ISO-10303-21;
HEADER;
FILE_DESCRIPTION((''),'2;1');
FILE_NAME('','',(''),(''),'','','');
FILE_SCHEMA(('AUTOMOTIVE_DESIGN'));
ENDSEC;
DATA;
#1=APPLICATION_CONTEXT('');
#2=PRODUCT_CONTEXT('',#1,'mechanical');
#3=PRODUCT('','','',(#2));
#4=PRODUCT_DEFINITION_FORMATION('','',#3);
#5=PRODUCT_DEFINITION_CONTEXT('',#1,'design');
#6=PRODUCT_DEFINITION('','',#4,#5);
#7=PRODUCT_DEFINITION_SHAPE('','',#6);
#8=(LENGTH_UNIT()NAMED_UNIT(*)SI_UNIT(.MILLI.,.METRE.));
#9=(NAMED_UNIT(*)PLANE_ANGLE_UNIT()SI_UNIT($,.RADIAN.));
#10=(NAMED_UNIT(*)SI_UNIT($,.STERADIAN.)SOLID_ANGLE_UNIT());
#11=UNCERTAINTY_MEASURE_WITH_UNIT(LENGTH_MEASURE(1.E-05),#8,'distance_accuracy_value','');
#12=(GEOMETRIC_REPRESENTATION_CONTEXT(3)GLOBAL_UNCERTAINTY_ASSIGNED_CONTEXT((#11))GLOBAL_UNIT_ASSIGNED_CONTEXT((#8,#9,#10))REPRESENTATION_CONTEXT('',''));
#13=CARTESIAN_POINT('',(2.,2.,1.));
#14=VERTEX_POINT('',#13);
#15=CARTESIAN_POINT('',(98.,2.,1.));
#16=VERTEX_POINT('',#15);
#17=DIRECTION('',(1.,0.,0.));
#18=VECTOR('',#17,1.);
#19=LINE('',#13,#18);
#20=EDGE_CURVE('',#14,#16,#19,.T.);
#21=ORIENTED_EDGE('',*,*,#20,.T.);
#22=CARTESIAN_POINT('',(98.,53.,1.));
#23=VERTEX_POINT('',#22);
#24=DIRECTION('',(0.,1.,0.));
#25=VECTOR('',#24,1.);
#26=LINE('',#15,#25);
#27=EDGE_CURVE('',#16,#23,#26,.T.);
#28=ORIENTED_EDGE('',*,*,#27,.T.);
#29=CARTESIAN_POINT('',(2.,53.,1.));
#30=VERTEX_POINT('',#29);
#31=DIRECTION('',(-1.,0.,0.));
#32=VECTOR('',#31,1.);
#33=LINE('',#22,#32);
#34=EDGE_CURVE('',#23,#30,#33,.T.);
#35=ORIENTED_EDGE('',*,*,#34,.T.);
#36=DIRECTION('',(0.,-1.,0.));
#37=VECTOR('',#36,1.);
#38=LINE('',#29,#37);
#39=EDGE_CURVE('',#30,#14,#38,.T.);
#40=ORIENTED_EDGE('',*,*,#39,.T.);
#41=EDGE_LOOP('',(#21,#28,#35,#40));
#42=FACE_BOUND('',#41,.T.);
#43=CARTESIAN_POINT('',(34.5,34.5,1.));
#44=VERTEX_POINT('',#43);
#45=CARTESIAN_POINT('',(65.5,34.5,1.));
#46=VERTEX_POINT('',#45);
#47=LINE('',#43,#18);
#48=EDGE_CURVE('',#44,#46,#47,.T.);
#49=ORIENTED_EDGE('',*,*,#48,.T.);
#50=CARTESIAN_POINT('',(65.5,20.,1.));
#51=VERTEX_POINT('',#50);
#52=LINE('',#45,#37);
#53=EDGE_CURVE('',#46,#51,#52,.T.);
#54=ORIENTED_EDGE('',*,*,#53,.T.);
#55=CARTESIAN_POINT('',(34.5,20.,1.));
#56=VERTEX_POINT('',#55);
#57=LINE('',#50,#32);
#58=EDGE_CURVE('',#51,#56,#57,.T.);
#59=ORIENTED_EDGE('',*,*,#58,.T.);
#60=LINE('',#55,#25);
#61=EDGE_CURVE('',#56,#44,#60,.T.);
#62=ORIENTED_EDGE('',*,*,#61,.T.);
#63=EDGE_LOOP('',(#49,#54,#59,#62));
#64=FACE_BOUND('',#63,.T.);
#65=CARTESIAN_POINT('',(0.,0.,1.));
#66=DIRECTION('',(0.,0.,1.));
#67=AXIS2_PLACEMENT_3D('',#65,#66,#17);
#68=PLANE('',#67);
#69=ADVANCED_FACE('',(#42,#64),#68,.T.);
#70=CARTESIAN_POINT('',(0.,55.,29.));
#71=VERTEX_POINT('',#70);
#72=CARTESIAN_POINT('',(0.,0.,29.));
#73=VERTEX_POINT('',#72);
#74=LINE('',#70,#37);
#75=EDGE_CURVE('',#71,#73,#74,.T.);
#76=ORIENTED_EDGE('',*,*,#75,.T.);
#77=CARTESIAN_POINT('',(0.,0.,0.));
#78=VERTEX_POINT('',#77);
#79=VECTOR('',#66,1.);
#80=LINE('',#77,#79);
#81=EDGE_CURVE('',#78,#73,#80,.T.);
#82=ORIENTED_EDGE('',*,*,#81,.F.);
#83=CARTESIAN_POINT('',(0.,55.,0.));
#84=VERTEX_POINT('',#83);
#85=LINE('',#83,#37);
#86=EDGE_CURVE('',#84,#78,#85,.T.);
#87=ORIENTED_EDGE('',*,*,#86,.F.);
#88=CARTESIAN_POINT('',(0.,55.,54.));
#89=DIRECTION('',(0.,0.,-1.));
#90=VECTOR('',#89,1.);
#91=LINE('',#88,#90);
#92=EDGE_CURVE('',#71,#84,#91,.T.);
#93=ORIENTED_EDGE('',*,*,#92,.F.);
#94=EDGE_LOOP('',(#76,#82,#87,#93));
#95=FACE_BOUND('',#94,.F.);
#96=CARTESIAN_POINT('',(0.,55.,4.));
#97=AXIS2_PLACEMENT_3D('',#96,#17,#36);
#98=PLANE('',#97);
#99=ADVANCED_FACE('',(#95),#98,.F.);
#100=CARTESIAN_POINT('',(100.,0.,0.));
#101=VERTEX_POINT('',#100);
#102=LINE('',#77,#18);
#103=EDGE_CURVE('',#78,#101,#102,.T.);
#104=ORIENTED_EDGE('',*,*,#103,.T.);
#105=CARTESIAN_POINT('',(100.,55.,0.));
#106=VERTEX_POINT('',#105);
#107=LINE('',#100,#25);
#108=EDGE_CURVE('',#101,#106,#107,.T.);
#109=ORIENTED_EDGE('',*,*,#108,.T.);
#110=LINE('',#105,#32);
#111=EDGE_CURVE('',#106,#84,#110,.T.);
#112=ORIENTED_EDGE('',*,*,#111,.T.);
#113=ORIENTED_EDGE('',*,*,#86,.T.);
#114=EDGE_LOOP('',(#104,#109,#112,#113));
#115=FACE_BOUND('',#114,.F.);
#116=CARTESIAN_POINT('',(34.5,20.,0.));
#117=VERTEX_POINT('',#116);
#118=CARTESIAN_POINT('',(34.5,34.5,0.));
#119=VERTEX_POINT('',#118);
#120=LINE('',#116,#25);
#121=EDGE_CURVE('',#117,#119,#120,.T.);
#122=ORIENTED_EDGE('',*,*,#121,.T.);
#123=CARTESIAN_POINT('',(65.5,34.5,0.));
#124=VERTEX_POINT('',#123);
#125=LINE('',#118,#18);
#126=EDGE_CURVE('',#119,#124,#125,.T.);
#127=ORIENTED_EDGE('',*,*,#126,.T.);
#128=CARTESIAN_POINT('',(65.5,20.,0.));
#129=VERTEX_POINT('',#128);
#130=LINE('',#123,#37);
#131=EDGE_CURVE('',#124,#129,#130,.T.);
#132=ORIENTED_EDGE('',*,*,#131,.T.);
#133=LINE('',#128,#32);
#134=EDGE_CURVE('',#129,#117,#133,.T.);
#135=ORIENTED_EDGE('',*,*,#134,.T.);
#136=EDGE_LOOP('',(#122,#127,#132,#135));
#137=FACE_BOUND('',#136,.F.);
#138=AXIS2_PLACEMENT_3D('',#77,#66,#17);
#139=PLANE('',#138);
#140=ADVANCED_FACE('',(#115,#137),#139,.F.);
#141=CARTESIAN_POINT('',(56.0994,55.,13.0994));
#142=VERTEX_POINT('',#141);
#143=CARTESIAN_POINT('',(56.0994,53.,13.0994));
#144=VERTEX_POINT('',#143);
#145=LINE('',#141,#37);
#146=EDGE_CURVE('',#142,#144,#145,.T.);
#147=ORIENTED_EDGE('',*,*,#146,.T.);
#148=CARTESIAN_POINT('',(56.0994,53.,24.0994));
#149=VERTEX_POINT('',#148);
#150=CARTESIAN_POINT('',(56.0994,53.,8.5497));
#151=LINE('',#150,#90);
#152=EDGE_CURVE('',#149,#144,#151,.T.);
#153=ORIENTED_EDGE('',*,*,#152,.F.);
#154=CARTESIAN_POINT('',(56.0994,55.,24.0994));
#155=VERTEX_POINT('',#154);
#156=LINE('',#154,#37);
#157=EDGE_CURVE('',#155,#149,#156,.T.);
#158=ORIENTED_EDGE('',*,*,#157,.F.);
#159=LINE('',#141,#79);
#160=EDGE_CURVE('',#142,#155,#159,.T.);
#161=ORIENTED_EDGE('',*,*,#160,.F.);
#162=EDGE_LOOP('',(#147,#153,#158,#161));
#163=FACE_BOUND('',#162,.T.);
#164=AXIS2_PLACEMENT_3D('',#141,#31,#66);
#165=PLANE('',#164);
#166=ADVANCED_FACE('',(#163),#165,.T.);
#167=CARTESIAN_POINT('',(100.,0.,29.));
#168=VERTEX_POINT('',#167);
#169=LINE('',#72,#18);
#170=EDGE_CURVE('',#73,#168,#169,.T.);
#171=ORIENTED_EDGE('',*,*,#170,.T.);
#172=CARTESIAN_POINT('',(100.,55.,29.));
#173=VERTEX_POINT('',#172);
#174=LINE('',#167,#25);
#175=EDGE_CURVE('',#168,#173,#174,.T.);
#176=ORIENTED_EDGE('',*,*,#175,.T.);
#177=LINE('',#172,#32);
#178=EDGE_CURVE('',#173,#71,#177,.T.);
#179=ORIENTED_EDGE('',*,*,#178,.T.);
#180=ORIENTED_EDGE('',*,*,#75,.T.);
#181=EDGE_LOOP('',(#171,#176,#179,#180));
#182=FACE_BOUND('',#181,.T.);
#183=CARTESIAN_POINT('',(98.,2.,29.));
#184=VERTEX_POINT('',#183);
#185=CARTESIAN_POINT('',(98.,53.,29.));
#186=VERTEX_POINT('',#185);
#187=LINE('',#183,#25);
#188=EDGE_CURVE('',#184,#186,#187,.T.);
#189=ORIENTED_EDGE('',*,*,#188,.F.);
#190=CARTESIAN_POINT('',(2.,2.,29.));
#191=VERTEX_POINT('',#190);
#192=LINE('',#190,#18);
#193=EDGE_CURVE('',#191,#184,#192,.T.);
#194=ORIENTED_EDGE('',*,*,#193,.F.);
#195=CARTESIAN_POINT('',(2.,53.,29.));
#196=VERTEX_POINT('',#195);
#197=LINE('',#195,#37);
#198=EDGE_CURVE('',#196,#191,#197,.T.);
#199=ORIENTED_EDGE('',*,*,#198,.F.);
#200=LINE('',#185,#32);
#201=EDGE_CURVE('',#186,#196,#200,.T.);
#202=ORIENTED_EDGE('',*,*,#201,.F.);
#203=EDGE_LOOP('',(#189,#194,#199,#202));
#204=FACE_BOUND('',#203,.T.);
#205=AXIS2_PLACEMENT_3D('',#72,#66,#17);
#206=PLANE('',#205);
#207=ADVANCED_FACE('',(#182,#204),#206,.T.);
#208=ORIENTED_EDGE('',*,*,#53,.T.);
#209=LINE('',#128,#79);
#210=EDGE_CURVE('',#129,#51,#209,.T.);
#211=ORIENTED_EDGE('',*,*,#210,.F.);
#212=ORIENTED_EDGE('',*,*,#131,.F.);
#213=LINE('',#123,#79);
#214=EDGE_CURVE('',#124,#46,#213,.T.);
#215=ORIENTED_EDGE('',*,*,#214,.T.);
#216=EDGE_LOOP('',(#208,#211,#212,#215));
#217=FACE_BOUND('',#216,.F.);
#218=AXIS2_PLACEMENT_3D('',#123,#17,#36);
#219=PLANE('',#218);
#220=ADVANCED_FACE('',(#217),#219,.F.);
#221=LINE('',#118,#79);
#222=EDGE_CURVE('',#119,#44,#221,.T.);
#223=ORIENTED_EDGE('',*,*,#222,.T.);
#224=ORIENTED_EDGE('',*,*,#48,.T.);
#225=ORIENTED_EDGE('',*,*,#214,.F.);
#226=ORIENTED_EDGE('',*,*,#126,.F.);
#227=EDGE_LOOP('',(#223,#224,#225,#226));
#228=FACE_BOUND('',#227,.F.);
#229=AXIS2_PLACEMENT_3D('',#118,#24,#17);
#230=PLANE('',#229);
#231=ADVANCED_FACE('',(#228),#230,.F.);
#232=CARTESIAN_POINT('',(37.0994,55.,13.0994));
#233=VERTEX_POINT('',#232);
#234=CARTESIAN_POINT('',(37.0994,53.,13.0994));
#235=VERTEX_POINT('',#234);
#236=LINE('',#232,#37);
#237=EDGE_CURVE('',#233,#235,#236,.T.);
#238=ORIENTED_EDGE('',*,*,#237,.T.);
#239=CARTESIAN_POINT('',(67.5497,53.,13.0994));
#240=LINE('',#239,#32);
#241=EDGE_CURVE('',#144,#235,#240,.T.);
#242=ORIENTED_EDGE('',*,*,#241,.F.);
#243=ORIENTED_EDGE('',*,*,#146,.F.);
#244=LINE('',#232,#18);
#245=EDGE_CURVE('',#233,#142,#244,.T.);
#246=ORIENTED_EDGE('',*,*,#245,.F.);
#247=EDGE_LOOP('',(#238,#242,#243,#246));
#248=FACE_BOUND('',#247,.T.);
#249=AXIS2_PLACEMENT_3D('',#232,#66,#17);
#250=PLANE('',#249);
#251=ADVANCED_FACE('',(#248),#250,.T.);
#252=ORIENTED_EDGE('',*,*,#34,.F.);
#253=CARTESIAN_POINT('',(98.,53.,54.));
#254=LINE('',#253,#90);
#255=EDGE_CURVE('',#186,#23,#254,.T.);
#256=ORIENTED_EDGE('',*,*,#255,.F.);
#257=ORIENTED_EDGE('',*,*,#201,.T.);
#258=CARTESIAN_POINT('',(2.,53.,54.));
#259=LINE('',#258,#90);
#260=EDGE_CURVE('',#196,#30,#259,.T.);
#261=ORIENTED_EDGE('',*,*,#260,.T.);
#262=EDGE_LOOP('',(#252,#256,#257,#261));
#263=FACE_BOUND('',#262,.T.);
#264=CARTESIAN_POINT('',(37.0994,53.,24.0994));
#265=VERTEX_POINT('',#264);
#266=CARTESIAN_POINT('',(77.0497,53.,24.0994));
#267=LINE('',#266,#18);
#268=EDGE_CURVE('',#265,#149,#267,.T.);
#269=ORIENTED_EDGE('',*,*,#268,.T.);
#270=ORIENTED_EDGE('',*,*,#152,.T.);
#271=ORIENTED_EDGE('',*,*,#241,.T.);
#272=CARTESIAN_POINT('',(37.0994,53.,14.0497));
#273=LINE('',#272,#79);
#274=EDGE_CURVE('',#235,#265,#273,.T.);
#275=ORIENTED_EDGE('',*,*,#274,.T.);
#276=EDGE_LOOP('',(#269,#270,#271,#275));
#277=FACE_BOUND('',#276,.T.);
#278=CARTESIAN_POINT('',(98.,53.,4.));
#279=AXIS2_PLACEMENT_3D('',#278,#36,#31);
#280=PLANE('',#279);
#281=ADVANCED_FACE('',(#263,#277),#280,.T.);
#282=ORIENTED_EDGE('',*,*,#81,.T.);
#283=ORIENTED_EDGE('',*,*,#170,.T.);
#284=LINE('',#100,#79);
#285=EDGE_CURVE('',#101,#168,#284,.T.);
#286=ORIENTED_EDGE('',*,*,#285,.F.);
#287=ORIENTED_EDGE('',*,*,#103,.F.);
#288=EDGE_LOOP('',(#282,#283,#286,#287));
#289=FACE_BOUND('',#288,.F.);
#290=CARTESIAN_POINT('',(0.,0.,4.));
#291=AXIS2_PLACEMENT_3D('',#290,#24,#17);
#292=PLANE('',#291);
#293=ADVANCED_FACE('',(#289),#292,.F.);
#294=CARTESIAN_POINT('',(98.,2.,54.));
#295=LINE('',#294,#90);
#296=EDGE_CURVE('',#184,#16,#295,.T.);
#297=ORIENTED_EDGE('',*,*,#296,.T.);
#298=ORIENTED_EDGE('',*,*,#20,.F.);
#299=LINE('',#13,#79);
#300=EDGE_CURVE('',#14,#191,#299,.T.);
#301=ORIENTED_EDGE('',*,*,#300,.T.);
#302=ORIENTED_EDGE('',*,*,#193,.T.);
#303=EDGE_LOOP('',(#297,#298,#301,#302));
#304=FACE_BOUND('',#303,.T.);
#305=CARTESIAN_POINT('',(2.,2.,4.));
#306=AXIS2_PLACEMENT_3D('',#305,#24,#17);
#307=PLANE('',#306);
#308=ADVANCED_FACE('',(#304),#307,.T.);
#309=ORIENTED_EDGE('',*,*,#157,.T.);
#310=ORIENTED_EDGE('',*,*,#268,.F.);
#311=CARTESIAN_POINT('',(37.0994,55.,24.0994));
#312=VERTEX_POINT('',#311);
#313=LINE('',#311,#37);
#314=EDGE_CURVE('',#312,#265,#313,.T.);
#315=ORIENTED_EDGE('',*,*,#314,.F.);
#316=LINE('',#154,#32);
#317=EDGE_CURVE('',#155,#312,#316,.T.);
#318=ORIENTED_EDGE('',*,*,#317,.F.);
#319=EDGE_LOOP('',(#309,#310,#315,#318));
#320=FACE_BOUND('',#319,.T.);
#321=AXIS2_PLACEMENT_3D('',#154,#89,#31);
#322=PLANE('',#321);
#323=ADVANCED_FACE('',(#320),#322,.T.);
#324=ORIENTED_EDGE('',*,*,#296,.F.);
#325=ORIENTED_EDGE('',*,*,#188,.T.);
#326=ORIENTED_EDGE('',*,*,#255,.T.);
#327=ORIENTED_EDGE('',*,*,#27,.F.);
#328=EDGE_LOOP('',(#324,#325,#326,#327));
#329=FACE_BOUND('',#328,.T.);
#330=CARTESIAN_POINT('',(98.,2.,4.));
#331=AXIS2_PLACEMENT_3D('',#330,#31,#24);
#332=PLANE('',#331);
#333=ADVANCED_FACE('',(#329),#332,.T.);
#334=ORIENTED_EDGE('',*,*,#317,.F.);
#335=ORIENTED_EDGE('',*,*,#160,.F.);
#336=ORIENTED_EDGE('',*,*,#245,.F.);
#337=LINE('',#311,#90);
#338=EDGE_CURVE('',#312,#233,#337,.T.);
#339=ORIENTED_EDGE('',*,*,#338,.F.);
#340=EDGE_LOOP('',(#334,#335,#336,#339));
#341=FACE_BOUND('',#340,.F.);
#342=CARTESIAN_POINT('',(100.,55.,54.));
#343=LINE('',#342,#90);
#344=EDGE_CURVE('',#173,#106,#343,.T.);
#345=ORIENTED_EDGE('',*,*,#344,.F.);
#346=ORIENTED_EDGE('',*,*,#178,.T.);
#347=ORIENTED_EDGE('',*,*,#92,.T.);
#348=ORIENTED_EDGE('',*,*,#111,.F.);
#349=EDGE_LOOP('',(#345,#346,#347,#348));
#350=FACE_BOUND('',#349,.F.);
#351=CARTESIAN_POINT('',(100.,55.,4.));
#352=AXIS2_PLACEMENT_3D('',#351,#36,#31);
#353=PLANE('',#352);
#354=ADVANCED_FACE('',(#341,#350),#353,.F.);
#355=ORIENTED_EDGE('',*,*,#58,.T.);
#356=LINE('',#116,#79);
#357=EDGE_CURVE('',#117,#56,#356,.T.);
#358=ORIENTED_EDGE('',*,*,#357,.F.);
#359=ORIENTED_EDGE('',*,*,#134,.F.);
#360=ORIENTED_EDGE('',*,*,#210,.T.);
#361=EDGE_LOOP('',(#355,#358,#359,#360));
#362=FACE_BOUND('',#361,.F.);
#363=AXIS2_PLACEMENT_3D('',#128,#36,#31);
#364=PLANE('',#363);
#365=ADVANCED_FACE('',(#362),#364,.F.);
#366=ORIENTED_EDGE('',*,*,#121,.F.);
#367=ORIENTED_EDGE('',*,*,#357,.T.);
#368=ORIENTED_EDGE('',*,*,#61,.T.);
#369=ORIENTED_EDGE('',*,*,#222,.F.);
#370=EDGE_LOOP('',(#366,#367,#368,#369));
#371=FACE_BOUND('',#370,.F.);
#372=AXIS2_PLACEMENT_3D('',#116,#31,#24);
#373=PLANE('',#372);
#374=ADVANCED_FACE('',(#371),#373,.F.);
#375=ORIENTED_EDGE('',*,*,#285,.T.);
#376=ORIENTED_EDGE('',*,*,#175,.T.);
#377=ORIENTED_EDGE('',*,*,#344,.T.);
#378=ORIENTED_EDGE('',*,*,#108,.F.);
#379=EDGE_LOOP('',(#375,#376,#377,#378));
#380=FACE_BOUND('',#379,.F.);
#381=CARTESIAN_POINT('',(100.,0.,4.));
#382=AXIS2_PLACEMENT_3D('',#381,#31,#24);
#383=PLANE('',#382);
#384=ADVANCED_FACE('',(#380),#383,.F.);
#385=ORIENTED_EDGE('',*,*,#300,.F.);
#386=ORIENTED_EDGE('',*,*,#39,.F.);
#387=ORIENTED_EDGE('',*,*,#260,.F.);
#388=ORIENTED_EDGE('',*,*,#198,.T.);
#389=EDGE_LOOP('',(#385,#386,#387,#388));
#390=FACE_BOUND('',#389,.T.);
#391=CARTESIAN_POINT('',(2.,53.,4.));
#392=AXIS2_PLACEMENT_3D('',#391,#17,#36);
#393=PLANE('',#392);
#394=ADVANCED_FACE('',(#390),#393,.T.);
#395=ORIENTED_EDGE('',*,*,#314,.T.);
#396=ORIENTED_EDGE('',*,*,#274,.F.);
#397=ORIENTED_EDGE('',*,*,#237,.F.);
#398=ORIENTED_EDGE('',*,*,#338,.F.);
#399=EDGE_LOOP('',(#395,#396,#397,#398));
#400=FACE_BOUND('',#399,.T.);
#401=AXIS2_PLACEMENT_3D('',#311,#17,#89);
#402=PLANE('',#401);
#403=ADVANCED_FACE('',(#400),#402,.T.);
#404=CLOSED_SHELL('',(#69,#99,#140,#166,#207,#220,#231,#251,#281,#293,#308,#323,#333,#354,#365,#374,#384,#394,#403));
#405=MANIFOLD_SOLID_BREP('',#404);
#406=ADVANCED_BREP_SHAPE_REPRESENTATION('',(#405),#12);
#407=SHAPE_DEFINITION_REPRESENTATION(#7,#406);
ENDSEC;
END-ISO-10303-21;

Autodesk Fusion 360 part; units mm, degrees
sketch "Sketch1" plane through (0, 0, 0) normal (0, 0, 1) x (1, 0, 0)
  line L0 (0, 0) -> (100, 0)
  line L1 (100, 0) -> (100, 55)
  line L2 (100, 55) -> (0, 55)
  line L3 (0, 55) -> (0, 0)
  line L4 (2, 2) -> (98, 2)
  line L5 (98, 2) -> (98, 53)
  line L6 (98, 53) -> (2, 53)
  line L7 (2, 53) -> (2, 2)
  line L8 (34.5, 34.5) -> (65.5, 34.5)
  line L9 (65.5, 34.5) -> (65.5, 20)
  line L10 (65.5, 20) -> (34.5, 20)
  line L11 (34.5, 20) -> (34.5, 34.5)
  dimension "d1" = -2
  dimension "d12" = 31
  dimension "d13" = 14.5
  dimension "d14" = 96
  dimension "d15" = 32.5
  dimension "d16" = 51
  dimension "d17" = 55
  dimension "d18" = 20
extrude "Extrude1" add sketch "Sketch1" along normal blind 1 contours L4 L5 L6 L7
extrude "Extrude2" add sketch "Sketch1" along normal blind 4 contours L0 L1 L2 L3
extrude "Extrude3" add 1 faces at (34, 0.6667, 4) along direction (0, 0, 1) blind 50
sketch "Sketch2" plane through (0, 55, 0) normal (0, 1, 0) x (-1, 0, 0)
  line L0 (-100, 0) -> (0, 0)
  line L1 (0, 0) -> (0, 54)
  line L2 (0, 54) -> (-100, 54)
  line L3 (-100, 54) -> (-100, 0)
  line L4 (-56.0994, 24.0994) -> (-37.0994, 24.0994)
  line L5 (-37.0994, 24.0994) -> (-37.0994, 13.0994)
  line L6 (-37.0994, 13.0994) -> (-56.0994, 13.0994)
  line L7 (-56.0994, 13.0994) -> (-56.0994, 24.0994)
  dimension "d8" = 19
  dimension "d9" = 11
extrude "Extrude4" cut sketch "Sketch2" against normal blind 15 contours L4 L5 L6 L7
extrude "Extrude5" cut 1 faces at (34, 0.6667, 54) along direction (0, 0, -1) blind 25
